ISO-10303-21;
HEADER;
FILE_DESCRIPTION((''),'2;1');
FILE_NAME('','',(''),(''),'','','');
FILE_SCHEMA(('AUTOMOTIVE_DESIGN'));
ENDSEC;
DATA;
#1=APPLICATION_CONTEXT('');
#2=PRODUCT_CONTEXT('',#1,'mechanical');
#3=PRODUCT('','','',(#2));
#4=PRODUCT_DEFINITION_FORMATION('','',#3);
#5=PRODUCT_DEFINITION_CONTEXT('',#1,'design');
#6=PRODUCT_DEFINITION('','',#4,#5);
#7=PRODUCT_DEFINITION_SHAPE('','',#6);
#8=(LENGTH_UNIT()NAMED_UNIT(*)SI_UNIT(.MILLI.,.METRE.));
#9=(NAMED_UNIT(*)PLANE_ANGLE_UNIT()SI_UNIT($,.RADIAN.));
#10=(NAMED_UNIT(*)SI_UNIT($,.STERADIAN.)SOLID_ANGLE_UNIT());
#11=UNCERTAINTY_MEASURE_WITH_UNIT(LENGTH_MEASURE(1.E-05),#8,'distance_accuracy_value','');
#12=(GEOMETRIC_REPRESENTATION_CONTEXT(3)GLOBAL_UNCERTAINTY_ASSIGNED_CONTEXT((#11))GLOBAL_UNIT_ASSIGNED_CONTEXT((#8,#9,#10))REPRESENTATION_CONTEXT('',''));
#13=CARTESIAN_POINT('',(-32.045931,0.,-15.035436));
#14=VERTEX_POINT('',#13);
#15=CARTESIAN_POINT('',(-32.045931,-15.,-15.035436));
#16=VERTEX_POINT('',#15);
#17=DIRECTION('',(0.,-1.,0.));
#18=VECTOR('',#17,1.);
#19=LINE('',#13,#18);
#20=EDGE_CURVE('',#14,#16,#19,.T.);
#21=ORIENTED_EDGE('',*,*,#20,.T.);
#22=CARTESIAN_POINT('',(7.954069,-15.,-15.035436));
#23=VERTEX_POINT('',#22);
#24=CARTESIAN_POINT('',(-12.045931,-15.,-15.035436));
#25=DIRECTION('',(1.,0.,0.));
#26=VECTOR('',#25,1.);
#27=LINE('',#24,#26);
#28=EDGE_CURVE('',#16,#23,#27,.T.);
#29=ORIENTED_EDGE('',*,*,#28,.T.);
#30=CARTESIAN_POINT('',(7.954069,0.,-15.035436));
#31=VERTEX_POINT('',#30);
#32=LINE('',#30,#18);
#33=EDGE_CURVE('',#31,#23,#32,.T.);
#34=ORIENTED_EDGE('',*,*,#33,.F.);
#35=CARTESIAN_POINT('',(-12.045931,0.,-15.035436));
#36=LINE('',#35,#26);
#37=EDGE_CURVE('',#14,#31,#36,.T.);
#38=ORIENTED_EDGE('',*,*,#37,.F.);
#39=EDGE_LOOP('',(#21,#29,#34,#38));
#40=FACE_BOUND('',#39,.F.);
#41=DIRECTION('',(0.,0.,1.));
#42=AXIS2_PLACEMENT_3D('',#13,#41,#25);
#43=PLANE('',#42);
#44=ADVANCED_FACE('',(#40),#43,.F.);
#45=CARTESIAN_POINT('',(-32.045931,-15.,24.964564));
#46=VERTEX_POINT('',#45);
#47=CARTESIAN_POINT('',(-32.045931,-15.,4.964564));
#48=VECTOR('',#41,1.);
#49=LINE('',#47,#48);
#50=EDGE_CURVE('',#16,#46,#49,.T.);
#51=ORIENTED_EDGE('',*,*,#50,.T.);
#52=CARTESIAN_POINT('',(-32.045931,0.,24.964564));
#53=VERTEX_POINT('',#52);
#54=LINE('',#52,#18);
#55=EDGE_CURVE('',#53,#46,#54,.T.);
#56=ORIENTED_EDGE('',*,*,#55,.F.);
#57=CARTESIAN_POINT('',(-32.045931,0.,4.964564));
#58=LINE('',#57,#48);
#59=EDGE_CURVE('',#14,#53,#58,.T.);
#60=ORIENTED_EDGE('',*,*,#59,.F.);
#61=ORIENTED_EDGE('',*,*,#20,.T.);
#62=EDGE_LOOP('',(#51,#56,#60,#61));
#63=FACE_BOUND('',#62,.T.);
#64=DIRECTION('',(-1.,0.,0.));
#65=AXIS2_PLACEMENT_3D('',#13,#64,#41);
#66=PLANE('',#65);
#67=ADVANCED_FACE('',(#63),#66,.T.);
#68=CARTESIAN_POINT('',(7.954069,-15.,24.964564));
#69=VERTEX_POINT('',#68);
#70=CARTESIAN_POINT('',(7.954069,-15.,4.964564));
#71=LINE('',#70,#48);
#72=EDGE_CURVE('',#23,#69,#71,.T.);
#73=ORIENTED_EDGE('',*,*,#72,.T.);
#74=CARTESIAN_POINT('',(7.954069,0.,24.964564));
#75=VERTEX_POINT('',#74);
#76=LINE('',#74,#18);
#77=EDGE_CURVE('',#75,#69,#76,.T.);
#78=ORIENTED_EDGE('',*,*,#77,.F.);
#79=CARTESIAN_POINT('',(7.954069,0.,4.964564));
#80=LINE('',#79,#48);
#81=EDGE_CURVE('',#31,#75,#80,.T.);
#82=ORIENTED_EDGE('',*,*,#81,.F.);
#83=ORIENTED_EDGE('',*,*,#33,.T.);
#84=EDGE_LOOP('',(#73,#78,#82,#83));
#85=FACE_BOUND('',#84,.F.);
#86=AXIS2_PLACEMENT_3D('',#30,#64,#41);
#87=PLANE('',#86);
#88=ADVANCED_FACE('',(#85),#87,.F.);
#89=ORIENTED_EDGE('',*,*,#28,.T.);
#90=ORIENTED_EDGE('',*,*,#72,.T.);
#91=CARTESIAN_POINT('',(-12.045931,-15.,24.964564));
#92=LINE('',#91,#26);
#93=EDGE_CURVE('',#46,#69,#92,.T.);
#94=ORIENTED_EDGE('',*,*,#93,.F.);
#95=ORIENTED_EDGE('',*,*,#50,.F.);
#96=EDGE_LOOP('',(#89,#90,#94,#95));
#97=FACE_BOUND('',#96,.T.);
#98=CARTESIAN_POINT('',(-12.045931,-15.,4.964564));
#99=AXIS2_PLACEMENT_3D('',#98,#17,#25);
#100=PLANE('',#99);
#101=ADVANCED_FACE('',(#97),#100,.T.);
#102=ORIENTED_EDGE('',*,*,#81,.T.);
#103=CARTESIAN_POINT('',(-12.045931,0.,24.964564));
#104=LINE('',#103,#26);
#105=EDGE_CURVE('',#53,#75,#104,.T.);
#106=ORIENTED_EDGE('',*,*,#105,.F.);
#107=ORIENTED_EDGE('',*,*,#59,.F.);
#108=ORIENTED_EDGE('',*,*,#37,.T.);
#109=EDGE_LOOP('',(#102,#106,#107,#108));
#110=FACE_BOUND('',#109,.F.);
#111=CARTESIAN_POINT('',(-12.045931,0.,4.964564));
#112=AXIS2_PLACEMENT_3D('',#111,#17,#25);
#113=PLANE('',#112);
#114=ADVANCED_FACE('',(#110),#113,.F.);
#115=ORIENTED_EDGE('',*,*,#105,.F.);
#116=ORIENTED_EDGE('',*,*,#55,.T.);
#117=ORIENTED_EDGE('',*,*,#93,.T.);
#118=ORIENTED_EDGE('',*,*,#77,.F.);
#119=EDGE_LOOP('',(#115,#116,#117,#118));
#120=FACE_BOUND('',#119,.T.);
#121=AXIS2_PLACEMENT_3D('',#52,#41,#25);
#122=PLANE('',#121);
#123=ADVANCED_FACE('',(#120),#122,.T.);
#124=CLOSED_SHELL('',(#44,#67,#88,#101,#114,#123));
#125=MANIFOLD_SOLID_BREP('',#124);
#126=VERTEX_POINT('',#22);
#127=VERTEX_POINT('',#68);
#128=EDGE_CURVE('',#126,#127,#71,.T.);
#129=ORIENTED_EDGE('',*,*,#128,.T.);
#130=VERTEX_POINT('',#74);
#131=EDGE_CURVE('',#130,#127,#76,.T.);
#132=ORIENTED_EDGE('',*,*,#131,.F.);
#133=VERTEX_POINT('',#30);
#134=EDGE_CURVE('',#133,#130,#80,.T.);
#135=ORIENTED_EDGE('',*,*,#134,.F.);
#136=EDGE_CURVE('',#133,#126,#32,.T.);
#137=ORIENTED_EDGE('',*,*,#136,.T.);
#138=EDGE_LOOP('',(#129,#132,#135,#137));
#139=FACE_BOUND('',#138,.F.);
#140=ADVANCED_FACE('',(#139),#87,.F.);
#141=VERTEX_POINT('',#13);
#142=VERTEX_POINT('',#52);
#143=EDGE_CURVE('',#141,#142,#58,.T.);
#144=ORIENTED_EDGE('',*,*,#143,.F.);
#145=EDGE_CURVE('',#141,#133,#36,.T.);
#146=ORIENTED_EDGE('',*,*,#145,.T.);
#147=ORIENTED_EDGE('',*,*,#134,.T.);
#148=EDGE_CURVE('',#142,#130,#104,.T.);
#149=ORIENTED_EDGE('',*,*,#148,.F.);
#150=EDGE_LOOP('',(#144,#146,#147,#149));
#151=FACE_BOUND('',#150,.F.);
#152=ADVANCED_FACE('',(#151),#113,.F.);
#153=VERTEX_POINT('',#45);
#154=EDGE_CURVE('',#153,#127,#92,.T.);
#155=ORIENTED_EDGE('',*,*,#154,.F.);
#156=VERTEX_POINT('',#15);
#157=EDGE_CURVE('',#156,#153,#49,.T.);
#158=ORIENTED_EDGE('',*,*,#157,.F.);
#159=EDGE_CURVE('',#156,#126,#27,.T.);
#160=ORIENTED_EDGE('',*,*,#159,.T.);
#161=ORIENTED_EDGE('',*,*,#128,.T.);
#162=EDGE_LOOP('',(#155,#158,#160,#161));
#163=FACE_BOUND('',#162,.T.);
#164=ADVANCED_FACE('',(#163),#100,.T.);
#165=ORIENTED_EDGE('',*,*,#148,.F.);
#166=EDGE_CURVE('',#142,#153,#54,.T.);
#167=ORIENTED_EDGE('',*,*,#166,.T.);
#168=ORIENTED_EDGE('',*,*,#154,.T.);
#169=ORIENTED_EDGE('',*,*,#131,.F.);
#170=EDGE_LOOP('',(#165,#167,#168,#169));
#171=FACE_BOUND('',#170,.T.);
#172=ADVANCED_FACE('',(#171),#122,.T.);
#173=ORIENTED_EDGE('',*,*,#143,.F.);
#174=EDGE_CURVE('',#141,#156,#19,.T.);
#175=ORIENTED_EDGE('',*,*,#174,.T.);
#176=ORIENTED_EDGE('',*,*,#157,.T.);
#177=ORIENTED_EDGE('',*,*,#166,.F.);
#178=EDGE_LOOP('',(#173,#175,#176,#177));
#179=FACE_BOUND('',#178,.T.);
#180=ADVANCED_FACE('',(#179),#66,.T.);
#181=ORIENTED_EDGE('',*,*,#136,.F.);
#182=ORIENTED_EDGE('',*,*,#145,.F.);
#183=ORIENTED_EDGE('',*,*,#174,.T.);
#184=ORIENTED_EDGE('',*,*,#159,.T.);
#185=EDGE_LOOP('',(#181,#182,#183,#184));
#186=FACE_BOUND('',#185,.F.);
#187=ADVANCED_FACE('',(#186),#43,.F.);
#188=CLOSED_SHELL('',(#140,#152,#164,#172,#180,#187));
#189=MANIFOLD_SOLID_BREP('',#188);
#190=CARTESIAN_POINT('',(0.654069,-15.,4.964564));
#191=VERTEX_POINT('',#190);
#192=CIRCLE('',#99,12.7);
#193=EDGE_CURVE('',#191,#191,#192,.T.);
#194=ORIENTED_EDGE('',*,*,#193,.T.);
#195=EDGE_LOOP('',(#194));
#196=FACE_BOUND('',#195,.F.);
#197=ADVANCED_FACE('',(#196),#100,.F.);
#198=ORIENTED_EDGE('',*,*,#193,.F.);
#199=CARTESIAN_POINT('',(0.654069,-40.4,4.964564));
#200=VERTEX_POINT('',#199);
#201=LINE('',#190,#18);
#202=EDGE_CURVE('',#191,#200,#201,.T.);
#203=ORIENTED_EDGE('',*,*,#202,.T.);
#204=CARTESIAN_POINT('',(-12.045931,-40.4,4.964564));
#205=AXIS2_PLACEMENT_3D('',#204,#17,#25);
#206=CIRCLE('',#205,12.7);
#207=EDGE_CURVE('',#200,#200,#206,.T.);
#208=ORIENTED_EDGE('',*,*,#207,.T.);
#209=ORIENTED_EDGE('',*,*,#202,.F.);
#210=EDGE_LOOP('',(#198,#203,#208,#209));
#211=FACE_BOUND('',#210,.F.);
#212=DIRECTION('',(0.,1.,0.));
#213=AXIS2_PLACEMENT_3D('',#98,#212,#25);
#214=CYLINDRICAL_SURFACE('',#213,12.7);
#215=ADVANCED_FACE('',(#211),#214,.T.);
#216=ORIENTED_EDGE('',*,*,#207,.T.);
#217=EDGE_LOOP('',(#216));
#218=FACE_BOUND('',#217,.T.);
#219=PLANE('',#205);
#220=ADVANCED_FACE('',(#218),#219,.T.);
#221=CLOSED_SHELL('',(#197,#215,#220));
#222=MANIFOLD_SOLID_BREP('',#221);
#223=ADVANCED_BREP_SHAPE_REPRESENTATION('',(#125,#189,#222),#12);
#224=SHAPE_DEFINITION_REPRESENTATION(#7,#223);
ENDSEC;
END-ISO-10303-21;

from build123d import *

# Parameters (mm, degrees)
F0_W     = 40
F0_H     = 40
F1_DEPTH = 15
F2_DEPTH = 15
F3_R     = 12.7
F4_DEPTH = 25.4


with BuildPart() as f1:
    # F0 (on Front) → F1 (new body)
    with BuildSketch(Plane.XZ):
        with Locations((-12.045931, 4.964564)):
            Rectangle(F0_W, F0_H)
    extrude(amount=F1_DEPTH)


with BuildPart() as f2:
    # F0 (on Front) → F2 (new body)
    with BuildSketch(Plane.XZ):
        with Locations((-12.045931, 4.964564)):
            Rectangle(F0_W, F0_H)
    extrude(amount=F2_DEPTH)


with BuildPart() as f4:
    # F3 (on face) → F4 (new body)
    with BuildSketch(Plane.XZ.offset(15)):
        with Locations((-12.045931, 4.964564)):
            Circle(F3_R)
    extrude(amount=F4_DEPTH)


solid = Compound([f1.part, f2.part, f4.part])
